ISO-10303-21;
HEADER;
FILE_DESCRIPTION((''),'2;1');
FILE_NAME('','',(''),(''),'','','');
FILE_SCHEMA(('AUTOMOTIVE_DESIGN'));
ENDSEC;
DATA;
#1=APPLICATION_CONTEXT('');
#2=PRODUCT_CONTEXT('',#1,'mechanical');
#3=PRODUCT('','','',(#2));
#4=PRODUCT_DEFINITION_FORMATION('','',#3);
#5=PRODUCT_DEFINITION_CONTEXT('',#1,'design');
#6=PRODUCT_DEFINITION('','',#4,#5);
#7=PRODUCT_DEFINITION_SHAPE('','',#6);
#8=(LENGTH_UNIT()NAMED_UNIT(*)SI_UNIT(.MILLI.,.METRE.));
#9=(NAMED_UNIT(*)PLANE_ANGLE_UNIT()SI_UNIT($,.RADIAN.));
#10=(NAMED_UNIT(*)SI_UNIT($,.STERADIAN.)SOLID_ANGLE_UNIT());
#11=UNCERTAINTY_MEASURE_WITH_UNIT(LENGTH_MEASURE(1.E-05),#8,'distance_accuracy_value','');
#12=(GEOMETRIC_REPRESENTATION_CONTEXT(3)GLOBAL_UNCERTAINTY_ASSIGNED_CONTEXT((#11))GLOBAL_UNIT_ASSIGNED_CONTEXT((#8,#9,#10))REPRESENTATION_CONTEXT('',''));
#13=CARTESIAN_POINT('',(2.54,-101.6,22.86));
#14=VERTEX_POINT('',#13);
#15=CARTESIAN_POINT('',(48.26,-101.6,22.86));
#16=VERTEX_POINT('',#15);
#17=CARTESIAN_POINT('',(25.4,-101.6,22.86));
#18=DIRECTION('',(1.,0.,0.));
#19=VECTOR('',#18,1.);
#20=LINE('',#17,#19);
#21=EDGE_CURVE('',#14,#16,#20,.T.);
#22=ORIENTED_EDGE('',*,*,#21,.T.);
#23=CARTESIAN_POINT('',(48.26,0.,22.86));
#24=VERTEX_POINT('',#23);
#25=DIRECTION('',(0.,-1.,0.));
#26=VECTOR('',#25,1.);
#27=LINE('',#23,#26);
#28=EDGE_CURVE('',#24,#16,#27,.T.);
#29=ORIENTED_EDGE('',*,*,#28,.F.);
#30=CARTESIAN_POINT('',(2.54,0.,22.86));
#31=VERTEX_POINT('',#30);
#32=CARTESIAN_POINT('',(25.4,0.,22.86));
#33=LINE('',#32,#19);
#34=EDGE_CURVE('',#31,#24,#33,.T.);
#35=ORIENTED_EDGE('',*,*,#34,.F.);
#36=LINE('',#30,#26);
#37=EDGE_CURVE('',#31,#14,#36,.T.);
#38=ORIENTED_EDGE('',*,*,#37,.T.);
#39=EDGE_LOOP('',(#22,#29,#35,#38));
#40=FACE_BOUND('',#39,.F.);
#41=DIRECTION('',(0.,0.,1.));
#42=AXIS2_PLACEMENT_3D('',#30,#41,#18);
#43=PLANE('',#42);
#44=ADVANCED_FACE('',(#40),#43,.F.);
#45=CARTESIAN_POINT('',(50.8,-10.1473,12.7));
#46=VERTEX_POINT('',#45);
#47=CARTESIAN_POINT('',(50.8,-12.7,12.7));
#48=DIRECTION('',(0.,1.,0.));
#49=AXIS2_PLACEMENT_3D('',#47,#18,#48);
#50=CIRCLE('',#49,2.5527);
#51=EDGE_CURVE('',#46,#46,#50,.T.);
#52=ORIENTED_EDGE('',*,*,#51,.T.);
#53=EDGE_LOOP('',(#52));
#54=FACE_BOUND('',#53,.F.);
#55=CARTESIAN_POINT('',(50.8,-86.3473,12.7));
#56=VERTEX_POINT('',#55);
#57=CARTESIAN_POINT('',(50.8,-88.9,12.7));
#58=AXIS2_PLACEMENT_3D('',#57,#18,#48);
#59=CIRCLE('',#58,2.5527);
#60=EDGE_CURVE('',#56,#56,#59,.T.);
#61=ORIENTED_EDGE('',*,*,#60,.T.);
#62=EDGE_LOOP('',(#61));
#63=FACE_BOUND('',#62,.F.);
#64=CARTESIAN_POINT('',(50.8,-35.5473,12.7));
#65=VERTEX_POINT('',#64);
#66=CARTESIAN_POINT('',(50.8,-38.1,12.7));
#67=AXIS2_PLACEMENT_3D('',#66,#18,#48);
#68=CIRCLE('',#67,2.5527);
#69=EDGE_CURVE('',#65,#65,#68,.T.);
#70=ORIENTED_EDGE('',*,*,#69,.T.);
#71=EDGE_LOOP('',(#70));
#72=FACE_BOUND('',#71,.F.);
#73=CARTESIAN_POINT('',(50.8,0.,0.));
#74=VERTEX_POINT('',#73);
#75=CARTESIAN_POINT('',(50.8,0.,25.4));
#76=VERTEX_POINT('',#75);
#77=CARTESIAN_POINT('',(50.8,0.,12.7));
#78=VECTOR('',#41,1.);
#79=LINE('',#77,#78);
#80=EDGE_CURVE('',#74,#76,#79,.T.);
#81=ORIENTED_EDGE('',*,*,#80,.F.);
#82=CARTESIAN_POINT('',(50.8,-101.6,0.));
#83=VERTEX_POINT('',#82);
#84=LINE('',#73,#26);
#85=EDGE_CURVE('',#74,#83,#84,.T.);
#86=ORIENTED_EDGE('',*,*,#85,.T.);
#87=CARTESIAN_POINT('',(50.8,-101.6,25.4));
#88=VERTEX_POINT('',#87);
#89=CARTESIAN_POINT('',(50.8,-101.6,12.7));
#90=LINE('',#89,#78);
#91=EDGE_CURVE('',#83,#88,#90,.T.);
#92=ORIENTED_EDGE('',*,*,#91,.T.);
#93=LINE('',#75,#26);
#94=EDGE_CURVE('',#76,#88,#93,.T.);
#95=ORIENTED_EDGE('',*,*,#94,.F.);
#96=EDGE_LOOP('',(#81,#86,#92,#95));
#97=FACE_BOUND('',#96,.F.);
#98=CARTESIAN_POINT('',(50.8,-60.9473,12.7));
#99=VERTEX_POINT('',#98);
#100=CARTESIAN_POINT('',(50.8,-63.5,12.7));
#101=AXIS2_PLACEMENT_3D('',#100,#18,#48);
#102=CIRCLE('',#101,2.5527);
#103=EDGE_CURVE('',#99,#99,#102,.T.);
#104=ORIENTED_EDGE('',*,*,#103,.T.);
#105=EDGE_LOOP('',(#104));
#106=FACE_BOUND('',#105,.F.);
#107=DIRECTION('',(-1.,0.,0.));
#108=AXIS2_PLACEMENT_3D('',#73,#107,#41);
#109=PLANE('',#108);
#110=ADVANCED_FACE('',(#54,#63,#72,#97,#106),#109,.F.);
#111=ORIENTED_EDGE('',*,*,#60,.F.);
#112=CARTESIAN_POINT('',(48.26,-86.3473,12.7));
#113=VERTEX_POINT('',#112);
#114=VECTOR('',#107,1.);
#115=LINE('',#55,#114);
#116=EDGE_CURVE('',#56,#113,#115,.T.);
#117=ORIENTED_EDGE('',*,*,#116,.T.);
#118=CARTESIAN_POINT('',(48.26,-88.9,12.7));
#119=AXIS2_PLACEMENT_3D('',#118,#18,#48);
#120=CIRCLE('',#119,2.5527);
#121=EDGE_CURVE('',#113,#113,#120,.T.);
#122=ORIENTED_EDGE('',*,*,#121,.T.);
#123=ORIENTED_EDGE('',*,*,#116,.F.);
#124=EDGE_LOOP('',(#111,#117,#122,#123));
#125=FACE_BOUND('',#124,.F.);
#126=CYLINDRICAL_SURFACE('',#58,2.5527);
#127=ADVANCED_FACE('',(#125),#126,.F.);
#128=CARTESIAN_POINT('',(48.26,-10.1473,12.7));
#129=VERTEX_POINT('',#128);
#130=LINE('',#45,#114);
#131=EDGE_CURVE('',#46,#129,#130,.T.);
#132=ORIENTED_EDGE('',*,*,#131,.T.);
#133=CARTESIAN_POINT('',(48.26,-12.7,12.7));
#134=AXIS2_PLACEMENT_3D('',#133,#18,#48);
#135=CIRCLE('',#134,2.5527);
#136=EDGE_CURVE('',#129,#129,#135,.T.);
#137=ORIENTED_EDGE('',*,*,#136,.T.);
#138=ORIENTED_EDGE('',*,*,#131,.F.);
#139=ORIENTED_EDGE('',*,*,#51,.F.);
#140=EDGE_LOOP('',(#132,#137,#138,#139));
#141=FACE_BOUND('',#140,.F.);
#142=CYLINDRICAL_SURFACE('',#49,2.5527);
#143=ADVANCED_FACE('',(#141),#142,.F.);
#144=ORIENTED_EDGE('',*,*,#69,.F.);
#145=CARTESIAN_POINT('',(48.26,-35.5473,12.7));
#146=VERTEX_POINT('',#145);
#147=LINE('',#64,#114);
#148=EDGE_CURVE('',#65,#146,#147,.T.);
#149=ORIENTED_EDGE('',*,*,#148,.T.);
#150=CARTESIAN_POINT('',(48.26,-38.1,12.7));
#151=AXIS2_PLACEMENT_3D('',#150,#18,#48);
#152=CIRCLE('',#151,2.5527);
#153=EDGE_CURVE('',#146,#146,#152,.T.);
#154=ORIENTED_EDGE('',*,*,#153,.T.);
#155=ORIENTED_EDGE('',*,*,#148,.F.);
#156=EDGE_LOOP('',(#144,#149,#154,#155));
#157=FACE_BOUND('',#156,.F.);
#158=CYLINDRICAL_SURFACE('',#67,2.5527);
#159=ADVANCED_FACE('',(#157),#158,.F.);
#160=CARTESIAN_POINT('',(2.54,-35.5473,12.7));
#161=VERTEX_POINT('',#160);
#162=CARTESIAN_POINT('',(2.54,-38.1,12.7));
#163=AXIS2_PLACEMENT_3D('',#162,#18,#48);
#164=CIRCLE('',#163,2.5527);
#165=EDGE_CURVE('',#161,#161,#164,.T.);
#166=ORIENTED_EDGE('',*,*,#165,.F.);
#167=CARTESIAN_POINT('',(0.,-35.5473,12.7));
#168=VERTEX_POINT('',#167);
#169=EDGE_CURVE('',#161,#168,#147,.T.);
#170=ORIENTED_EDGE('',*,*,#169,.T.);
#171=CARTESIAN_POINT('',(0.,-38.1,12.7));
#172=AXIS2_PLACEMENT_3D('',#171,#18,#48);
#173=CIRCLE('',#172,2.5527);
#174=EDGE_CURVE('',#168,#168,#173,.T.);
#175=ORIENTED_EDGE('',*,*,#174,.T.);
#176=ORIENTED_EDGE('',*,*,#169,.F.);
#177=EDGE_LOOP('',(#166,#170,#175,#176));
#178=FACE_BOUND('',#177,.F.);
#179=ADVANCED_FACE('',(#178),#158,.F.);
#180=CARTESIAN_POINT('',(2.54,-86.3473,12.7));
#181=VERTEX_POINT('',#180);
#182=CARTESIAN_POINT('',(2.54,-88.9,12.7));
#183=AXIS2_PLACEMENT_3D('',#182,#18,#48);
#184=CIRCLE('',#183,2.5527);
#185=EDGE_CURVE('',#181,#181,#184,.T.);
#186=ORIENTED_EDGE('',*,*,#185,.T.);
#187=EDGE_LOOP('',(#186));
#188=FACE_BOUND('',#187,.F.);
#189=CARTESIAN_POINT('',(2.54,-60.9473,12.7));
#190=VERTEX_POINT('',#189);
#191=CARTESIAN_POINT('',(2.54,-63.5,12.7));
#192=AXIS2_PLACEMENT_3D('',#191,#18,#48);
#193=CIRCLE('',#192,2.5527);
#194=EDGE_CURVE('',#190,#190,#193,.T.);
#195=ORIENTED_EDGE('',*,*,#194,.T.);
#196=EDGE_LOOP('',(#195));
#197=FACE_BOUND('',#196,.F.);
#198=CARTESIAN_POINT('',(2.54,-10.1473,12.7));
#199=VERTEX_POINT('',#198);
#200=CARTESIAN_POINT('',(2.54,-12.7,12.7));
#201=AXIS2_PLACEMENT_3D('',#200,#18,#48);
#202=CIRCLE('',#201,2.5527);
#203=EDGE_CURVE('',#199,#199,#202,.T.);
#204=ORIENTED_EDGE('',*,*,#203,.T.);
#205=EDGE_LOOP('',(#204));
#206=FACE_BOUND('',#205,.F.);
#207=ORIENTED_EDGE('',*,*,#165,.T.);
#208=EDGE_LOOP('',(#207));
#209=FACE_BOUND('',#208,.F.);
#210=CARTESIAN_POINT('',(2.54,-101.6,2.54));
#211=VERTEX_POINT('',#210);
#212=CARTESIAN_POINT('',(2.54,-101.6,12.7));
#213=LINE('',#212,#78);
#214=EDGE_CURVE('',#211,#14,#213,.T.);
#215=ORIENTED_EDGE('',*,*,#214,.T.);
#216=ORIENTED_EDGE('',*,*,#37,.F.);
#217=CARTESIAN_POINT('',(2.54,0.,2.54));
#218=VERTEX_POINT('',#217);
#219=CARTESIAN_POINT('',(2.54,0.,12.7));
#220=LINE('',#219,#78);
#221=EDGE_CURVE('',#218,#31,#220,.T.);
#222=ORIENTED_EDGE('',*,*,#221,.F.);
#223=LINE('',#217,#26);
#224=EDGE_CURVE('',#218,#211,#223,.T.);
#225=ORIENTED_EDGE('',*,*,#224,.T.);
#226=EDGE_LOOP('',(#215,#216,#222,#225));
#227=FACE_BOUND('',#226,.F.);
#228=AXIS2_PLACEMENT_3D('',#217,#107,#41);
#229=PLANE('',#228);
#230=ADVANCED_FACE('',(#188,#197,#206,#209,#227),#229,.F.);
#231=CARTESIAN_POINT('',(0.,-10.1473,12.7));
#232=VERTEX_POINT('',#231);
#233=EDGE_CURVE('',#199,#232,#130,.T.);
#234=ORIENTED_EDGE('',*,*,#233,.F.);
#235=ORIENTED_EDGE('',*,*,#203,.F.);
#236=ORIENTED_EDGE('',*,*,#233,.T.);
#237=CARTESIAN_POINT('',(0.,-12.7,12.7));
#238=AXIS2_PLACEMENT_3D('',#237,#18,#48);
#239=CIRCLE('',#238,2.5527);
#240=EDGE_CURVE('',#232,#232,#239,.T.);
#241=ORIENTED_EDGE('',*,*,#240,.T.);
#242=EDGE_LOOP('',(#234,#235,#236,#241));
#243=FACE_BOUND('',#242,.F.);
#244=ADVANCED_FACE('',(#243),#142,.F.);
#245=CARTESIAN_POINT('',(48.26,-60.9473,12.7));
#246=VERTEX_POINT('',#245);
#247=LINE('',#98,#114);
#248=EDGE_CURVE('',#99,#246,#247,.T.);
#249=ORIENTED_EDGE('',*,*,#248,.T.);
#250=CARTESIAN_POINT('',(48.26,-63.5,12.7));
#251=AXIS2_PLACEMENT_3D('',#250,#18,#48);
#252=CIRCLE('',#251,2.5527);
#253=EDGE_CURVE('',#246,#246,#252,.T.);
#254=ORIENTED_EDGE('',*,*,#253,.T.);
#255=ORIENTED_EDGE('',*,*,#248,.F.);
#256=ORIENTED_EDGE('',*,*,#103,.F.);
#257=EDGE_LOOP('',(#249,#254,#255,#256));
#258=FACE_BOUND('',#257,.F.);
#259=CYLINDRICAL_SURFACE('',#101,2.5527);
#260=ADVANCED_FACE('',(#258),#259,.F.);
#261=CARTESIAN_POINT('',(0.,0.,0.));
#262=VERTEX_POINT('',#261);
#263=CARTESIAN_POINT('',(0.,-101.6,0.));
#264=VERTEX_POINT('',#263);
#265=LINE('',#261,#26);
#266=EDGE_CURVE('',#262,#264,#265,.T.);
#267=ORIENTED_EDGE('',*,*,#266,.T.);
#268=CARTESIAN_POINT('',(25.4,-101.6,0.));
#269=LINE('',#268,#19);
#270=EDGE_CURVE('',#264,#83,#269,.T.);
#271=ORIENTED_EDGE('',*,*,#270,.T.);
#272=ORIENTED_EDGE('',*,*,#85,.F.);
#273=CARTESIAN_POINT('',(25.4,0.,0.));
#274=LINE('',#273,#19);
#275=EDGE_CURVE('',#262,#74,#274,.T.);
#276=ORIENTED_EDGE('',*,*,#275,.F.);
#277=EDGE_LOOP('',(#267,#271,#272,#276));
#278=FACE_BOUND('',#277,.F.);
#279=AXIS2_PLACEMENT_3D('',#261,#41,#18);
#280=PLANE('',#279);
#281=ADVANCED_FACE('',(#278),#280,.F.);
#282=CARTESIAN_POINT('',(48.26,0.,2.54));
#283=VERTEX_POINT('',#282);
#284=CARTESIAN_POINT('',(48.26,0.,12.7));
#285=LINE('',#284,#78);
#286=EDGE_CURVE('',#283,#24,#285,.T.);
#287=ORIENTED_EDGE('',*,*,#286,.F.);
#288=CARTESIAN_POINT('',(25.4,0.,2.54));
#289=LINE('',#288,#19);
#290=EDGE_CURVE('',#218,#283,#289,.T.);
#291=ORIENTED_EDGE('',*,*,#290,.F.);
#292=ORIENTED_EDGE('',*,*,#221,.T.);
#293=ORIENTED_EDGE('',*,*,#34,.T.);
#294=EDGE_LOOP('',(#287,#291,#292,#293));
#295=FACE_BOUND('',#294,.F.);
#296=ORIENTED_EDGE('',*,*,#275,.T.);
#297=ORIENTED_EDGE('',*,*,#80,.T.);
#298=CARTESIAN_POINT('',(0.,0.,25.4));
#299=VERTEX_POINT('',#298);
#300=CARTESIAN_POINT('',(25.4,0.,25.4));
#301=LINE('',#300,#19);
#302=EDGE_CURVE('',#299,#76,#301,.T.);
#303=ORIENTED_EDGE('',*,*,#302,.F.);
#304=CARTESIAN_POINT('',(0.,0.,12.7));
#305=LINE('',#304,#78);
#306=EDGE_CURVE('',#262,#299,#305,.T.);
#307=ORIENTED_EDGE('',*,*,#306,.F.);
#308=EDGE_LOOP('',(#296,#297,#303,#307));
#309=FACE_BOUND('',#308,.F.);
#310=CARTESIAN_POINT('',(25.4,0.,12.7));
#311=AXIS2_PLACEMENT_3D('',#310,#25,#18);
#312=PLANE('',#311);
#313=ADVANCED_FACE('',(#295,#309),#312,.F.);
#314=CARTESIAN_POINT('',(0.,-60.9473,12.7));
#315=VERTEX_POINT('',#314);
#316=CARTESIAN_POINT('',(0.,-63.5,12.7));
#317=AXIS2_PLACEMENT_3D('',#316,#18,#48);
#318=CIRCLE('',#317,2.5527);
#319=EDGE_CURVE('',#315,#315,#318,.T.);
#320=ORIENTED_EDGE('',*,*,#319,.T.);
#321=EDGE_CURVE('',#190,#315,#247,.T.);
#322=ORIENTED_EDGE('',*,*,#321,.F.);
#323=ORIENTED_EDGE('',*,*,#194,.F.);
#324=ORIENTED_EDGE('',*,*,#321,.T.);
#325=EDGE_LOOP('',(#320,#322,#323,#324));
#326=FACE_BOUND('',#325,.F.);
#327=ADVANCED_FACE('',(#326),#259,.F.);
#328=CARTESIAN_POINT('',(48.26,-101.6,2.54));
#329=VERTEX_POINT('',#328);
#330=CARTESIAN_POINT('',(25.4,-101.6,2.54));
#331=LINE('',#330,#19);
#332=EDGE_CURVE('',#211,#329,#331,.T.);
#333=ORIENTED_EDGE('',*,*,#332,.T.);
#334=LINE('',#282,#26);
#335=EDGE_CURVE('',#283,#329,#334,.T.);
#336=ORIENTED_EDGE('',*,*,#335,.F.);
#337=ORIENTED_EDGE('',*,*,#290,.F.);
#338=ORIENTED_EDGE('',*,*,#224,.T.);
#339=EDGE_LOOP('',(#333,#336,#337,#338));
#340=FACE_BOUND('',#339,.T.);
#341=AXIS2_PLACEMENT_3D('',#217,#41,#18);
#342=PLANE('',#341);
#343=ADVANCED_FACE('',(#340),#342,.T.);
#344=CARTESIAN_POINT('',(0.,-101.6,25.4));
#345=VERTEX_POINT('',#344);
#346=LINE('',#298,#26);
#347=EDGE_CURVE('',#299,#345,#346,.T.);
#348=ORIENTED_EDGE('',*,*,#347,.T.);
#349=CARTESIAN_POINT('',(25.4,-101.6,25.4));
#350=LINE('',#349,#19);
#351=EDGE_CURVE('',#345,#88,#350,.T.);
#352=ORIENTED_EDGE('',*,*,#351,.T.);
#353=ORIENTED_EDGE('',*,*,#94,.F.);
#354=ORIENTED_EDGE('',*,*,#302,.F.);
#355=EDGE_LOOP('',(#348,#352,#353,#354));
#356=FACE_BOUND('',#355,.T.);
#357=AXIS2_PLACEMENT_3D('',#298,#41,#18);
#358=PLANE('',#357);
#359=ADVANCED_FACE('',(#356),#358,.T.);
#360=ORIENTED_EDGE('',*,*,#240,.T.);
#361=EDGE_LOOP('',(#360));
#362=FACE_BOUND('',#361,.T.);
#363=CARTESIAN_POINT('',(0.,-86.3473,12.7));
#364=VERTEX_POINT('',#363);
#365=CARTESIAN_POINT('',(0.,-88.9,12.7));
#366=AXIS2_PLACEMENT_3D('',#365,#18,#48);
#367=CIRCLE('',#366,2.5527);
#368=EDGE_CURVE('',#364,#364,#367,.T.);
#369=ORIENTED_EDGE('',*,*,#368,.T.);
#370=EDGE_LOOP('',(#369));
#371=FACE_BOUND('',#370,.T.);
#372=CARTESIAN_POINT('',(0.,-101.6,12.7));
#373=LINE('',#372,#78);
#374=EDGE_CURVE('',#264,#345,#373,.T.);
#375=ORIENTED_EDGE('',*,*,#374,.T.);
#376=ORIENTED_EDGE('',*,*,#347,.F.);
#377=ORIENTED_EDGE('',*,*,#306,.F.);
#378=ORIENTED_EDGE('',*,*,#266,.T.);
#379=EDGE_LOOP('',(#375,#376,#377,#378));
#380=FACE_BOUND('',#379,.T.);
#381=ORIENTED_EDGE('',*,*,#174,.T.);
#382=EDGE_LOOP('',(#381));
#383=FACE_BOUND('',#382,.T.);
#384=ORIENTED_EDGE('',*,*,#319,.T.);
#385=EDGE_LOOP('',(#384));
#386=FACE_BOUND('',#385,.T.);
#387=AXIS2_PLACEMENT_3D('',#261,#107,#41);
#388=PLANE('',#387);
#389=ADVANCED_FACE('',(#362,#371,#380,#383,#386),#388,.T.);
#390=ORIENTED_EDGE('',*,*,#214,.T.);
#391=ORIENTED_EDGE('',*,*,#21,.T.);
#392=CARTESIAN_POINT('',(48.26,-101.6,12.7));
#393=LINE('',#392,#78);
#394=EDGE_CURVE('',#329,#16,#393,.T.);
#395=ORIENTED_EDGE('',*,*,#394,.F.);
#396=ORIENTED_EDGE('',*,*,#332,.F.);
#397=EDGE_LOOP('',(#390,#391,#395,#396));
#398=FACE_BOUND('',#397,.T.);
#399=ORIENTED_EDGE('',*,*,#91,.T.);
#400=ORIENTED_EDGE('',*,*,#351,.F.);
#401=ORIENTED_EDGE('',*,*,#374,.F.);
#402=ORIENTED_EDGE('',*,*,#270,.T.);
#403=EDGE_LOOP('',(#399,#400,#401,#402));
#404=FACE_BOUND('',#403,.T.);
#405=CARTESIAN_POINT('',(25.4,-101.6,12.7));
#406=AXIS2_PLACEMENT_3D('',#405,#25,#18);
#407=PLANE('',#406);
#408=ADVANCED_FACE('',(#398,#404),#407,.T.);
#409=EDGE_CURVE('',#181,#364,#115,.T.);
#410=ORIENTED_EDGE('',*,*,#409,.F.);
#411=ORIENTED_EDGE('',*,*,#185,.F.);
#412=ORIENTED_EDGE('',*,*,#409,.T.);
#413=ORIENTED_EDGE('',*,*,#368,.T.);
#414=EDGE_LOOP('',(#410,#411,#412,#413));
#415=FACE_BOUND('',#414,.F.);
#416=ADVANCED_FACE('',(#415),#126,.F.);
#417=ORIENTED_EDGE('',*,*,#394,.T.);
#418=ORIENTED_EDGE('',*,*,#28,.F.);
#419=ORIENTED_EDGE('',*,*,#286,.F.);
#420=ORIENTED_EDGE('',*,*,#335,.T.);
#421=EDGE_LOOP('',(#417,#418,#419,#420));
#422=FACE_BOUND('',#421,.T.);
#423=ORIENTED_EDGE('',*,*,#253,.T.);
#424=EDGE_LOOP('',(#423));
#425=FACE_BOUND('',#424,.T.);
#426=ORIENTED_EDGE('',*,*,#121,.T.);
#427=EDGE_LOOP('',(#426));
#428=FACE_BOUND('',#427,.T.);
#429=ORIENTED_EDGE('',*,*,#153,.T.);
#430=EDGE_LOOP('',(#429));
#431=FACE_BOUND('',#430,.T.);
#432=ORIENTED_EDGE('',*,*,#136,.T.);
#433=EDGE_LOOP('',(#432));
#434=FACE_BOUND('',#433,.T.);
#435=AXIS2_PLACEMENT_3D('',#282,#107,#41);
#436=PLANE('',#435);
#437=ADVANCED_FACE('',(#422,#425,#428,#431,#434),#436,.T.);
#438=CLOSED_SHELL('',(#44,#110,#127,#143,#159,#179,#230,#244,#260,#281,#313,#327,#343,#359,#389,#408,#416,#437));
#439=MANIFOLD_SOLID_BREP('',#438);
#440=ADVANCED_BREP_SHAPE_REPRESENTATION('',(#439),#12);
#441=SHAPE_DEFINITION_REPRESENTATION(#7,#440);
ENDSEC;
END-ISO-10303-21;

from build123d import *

# Parameters (mm, degrees)
F0_W     = 50.8
F0_H     = 25.4
F0_W_2   = 45.72
F0_H_2   = 20.32
F1_DEPTH = 101.6
F3_DEPTH = 127


with BuildPart() as f1:
    # F0 (on Front) → F1 (new body)
    with BuildSketch(Plane.XZ):
        with Locations((25.4, 12.7)):
            Rectangle(F0_W, F0_H)
        with Locations((25.4, 12.7)):
            Rectangle(F0_W_2, F0_H_2, mode=Mode.SUBTRACT)
    extrude(amount=F1_DEPTH)

    # F2 (on face) → F3 (cut)
    with BuildSketch(Plane.YZ.offset(50.8)):
        with BuildLine():
            Line((-86.7156, 12.7), (-91.0844, 12.7))
            ThreePointArc((-91.0844, 12.7), (-88.9, 10.5156), (-86.7156, 12.7))
        make_face()
        with BuildLine():
            ThreePointArc((-65.6844, 12.7), (-63.5, 10.5156), (-61.3156, 12.7))
            Line((-61.3156, 12.7), (-65.6844, 12.7))
        make_face()
        with BuildLine():
            Line((-65.6844, 12.7), (-61.3156, 12.7))
            ThreePointArc((-61.3156, 12.7), (-63.5, 14.8844), (-65.6844, 12.7))
        make_face()
        with BuildLine():
            ThreePointArc((-40.2844, 12.7), (-38.1, 10.5156), (-35.9156, 12.7))
            Line((-35.9156, 12.7), (-40.2844, 12.7))
        make_face()
        with BuildLine():
            Line((-40.2844, 12.7), (-35.9156, 12.7))
            ThreePointArc((-35.9156, 12.7), (-38.1, 14.8844), (-40.2844, 12.7))
        make_face()
        with BuildLine():
            ThreePointArc((-14.8844, 12.7), (-12.7, 10.5156), (-10.5156, 12.7))
            Line((-10.5156, 12.7), (-14.8844, 12.7))
        make_face()
        with BuildLine():
            Line((-14.8844, 12.7), (-10.5156, 12.7))
            ThreePointArc((-10.5156, 12.7), (-12.7, 14.8844), (-14.8844, 12.7))
        make_face()
        with BuildLine():
            ThreePointArc((-86.7156, 12.7), (-88.9, 14.8844), (-91.0844, 12.7))
            Line((-91.0844, 12.7), (-86.7156, 12.7))
        make_face()
        with BuildLine():
            ThreePointArc((-15.2527, 12.7), (-12.7, 10.1473), (-10.1473, 12.7))
            Line((-10.1473, 12.7), (-10.5156, 12.7))
            ThreePointArc((-10.5156, 12.7), (-12.7, 10.5156), (-14.8844, 12.7))
            Line((-14.8844, 12.7), (-15.2527, 12.7))
        make_face()
        with BuildLine():
            Line((-10.5156, 12.7), (-10.1473, 12.7))
            ThreePointArc((-10.1473, 12.7), (-12.7, 15.2527), (-15.2527, 12.7))
            Line((-15.2527, 12.7), (-14.8844, 12.7))
            ThreePointArc((-14.8844, 12.7), (-12.7, 14.8844), (-10.5156, 12.7))
        make_face()
        with BuildLine():
            ThreePointArc((-40.6527, 12.7), (-38.1, 10.1473), (-35.5473, 12.7))
            Line((-35.5473, 12.7), (-35.9156, 12.7))
            ThreePointArc((-35.9156, 12.7), (-38.1, 10.5156), (-40.2844, 12.7))
            Line((-40.2844, 12.7), (-40.6527, 12.7))
        make_face()
        with BuildLine():
            Line((-35.9156, 12.7), (-35.5473, 12.7))
            ThreePointArc((-35.5473, 12.7), (-38.1, 15.2527), (-40.6527, 12.7))
            Line((-40.6527, 12.7), (-40.2844, 12.7))
            ThreePointArc((-40.2844, 12.7), (-38.1, 14.8844), (-35.9156, 12.7))
        make_face()
        with BuildLine():
            Line((-91.0844, 12.7), (-91.4527, 12.7))
            ThreePointArc((-91.4527, 12.7), (-88.9, 10.1473), (-86.3473, 12.7))
            Line((-86.3473, 12.7), (-86.7156, 12.7))
            ThreePointArc((-86.7156, 12.7), (-88.9, 10.5156), (-91.0844, 12.7))
        make_face()
        with BuildLine():
            ThreePointArc((-86.3473, 12.7), (-88.9, 15.2527), (-91.4527, 12.7))
            Line((-91.4527, 12.7), (-91.0844, 12.7))
            ThreePointArc((-91.0844, 12.7), (-88.9, 14.8844), (-86.7156, 12.7))
            Line((-86.7156, 12.7), (-86.3473, 12.7))
        make_face()
        with BuildLine():
            ThreePointArc((-66.0527, 12.7), (-63.5, 10.1473), (-60.9473, 12.7))
            Line((-60.9473, 12.7), (-61.3156, 12.7))
            ThreePointArc((-61.3156, 12.7), (-63.5, 10.5156), (-65.6844, 12.7))
            Line((-65.6844, 12.7), (-66.0527, 12.7))
        make_face()
        with BuildLine():
            Line((-61.3156, 12.7), (-60.9473, 12.7))
            ThreePointArc((-60.9473, 12.7), (-63.5, 15.2527), (-66.0527, 12.7))
            Line((-66.0527, 12.7), (-65.6844, 12.7))
            ThreePointArc((-65.6844, 12.7), (-63.5, 14.8844), (-61.3156, 12.7))
        make_face()
    extrude(amount=-F3_DEPTH, mode=Mode.SUBTRACT)


solid = f1.part
